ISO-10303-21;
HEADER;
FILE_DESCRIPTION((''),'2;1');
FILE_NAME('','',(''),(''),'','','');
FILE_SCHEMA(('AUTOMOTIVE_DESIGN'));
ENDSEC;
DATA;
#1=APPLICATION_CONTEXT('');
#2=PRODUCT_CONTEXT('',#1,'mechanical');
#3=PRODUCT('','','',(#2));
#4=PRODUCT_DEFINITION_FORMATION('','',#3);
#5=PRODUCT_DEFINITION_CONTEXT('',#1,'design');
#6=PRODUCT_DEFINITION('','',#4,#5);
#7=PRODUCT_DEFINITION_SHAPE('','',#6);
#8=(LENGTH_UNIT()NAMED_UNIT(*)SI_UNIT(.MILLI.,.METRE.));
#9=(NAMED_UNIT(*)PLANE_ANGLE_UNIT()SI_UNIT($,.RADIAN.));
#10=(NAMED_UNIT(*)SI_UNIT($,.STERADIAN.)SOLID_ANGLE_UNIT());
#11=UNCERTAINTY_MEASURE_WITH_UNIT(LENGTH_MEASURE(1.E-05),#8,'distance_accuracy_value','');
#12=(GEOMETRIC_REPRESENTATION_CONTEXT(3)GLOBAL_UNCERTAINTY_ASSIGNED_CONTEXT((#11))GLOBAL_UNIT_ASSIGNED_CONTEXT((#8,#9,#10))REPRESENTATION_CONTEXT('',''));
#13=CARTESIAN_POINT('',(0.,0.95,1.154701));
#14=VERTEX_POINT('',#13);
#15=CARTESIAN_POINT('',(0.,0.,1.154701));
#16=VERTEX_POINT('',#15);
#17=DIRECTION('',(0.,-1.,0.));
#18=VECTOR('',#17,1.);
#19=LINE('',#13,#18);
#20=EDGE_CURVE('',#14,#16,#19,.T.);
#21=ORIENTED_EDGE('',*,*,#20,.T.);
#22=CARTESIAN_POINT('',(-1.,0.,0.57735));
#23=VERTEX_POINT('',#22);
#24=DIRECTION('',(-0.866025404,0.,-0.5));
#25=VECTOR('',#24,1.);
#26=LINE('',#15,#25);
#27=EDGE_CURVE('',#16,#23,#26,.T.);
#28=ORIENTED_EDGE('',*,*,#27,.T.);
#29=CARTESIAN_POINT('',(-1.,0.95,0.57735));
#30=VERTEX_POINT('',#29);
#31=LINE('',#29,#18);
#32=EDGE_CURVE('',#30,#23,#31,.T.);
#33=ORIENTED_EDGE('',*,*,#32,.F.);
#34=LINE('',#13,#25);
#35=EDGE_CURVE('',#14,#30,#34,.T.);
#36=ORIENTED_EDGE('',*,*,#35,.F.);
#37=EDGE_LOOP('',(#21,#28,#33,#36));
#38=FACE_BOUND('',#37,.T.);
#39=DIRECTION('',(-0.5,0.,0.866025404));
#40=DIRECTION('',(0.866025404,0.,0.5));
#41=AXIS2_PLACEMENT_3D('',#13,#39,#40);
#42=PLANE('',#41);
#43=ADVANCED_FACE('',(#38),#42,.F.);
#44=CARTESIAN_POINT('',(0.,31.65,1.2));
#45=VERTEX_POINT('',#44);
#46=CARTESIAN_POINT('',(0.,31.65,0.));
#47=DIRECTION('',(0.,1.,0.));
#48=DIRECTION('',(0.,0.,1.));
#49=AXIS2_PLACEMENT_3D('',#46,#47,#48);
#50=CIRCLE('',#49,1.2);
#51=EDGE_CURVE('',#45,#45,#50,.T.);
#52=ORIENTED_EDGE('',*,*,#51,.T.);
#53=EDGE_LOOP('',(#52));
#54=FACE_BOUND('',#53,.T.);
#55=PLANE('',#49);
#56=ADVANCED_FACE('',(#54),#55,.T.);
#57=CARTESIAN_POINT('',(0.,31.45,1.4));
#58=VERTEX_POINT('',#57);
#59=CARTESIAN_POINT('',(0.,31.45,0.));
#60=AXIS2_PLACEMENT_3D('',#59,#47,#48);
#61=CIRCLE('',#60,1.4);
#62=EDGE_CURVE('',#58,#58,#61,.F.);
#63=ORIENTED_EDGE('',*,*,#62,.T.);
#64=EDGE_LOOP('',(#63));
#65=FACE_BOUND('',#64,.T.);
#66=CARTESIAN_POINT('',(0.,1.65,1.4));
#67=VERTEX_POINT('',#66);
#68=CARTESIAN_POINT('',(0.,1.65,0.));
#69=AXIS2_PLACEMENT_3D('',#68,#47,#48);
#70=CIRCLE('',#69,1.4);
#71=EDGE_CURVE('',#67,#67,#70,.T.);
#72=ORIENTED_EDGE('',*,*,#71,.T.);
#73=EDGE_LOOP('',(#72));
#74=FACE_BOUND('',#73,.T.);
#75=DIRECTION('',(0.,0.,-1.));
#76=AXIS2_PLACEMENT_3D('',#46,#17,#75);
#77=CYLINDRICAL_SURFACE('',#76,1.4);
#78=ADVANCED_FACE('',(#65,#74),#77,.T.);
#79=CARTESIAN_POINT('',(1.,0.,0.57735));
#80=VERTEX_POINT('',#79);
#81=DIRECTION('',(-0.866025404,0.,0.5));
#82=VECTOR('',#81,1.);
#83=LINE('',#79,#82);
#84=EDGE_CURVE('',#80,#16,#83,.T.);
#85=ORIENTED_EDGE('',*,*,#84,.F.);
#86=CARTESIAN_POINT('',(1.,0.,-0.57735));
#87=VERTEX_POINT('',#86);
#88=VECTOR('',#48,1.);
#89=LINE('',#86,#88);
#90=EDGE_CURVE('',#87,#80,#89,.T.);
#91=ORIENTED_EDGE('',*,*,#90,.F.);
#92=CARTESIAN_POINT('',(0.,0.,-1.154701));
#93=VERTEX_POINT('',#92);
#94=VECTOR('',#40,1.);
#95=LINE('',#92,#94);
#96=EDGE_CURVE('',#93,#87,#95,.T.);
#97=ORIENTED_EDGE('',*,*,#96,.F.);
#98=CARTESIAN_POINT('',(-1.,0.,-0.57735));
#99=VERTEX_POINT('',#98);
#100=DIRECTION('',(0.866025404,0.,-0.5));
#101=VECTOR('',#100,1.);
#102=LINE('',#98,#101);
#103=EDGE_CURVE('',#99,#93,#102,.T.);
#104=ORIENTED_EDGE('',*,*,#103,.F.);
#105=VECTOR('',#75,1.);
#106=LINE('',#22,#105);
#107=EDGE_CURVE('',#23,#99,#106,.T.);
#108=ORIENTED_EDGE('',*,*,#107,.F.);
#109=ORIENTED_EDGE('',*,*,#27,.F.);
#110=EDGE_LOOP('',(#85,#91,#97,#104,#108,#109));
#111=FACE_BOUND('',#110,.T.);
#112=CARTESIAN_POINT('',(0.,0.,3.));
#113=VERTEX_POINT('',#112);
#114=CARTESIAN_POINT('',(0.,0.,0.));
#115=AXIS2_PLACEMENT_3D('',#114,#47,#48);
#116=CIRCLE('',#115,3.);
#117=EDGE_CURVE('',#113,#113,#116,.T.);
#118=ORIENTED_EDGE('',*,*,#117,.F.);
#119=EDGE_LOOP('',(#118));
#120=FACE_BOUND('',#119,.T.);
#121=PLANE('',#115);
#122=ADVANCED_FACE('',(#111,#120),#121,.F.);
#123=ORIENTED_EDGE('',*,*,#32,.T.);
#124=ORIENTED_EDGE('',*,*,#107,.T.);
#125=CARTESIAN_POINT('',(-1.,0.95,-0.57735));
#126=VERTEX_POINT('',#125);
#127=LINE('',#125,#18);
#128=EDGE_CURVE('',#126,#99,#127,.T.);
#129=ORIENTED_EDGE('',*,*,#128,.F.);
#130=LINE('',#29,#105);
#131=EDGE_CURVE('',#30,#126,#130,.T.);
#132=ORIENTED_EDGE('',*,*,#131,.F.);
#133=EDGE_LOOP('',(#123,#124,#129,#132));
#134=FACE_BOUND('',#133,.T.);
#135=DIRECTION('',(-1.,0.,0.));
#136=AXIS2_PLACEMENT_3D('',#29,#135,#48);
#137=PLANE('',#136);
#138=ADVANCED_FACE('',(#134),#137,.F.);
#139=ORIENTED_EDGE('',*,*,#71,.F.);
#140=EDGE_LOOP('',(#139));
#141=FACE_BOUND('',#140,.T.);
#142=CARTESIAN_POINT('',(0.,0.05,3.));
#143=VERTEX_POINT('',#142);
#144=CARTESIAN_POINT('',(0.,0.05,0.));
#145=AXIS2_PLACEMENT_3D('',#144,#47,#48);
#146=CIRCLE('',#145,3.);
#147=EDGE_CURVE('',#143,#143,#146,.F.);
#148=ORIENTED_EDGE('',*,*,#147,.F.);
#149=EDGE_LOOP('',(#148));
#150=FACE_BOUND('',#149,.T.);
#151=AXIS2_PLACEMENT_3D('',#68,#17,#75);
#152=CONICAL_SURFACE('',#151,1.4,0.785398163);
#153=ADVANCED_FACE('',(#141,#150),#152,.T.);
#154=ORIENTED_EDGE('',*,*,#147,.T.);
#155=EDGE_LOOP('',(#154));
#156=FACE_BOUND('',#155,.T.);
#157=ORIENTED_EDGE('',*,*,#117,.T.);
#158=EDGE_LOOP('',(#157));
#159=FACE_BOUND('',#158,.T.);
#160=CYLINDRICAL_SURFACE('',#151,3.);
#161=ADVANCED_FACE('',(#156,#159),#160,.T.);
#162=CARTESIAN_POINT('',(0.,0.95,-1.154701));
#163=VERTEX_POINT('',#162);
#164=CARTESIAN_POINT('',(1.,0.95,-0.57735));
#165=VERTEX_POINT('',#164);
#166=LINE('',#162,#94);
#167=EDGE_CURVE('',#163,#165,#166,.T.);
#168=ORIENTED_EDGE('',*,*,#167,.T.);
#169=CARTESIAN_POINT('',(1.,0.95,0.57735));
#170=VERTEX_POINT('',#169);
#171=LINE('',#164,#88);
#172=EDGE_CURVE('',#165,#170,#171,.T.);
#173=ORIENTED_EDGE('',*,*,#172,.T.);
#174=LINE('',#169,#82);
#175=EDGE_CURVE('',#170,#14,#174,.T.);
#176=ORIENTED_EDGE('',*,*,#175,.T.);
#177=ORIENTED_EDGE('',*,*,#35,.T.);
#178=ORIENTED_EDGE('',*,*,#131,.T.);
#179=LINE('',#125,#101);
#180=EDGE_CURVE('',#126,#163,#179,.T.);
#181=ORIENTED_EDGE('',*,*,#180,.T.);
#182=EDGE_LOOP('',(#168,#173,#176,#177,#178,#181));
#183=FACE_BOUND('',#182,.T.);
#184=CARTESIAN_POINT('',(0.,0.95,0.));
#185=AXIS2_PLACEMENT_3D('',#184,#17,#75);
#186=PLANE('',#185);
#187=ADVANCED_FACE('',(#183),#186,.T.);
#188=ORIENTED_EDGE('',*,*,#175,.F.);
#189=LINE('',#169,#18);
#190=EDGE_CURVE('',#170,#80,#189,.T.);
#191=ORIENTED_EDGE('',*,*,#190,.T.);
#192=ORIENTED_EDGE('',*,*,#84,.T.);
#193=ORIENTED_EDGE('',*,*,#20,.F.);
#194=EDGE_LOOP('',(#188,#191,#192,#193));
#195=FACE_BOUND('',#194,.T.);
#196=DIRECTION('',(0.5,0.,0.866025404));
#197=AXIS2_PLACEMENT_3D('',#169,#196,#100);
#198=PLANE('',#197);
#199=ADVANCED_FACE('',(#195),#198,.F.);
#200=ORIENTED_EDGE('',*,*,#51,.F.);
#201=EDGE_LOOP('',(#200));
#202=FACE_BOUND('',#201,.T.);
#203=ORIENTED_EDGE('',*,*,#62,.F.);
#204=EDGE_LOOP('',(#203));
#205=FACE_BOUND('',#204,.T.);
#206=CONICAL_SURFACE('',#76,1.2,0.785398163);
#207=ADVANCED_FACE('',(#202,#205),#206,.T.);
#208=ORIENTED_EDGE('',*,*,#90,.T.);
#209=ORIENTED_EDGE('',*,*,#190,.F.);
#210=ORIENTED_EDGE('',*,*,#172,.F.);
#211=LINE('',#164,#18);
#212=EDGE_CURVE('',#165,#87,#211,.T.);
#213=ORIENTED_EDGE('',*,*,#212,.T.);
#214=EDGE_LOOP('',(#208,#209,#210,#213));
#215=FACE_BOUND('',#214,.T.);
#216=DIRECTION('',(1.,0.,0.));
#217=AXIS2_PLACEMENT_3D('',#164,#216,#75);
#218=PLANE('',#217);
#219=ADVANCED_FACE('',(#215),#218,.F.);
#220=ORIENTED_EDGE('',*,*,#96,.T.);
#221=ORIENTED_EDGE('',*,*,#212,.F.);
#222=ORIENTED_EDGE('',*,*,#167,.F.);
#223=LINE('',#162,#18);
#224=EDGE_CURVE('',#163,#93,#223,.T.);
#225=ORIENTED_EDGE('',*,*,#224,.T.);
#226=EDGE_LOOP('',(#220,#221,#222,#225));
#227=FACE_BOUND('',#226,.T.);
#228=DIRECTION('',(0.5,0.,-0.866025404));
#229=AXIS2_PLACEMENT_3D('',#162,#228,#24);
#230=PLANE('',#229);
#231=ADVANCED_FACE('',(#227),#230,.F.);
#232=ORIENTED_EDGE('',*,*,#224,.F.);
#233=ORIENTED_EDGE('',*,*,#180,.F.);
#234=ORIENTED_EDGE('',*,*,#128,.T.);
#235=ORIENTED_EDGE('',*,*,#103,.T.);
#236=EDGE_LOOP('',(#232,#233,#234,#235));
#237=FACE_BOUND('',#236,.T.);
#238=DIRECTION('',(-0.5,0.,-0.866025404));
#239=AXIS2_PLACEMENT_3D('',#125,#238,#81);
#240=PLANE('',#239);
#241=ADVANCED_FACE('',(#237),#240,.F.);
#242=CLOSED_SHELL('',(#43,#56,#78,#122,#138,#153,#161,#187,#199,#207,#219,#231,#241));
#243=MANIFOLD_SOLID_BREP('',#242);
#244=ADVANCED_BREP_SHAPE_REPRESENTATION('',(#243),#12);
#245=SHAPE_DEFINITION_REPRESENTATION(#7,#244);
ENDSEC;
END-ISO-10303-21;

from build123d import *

# Parameters (mm, degrees)
SKETCH_1_R          = 3
EXTRUDE_1_DEPTH     = 1.65
CHAMFER_1_SIZE      = 1.6
CUT_EXTRUDE_1_DEPTH = 0.95
SKETCH_3_R          = 1.4
EXTRUDE_2_DEPTH     = 30
CHAMFER_2_SIZE      = 0.2


with BuildPart() as part:
    # 草图1 → 凸台-拉伸1 (new body)
    with BuildSketch(Plane(origin=(0, 0, 0), x_dir=(1, 0, 0), z_dir=(0, 1, 0))):
        with Locations(Location((0, 0, 0), (0, 0, 270))):
            Circle(SKETCH_1_R)
    extrude(amount=EXTRUDE_1_DEPTH)

    # 倒角1
    chamfer_1_edges = [part.edges().sort_by_distance(p)[0] for p in [
        (0, 1.65, -3),
    ]]
    chamfer(chamfer_1_edges, length=CHAMFER_1_SIZE)

    # 草图2 → 切除-拉伸1 (cut)
    with BuildSketch(Plane.XZ):
        Polygon((1, -0.577350269), (1, 0.577350269), (0, 1.154700538), (-1, 0.577350269), (-1, -0.577350269), (0, -1.154700538), align=None)
    extrude(amount=-CUT_EXTRUDE_1_DEPTH, mode=Mode.SUBTRACT)

    # 草图3 → 凸台-拉伸2 (add)
    with BuildSketch(Plane(origin=(0, 1.65, 0), x_dir=(1, 0, 0), z_dir=(0, 1, 0))):
        with Locations(Location((0, 0, 0), (0, 0, 270))):
            Circle(SKETCH_3_R)
    extrude(amount=EXTRUDE_2_DEPTH)

    # 倒角2
    chamfer_2_edges = [part.edges().sort_by_distance(p)[0] for p in [
        (0, 31.65, -1.4),
    ]]
    chamfer(chamfer_2_edges, length=CHAMFER_2_SIZE)


solid = part.part
